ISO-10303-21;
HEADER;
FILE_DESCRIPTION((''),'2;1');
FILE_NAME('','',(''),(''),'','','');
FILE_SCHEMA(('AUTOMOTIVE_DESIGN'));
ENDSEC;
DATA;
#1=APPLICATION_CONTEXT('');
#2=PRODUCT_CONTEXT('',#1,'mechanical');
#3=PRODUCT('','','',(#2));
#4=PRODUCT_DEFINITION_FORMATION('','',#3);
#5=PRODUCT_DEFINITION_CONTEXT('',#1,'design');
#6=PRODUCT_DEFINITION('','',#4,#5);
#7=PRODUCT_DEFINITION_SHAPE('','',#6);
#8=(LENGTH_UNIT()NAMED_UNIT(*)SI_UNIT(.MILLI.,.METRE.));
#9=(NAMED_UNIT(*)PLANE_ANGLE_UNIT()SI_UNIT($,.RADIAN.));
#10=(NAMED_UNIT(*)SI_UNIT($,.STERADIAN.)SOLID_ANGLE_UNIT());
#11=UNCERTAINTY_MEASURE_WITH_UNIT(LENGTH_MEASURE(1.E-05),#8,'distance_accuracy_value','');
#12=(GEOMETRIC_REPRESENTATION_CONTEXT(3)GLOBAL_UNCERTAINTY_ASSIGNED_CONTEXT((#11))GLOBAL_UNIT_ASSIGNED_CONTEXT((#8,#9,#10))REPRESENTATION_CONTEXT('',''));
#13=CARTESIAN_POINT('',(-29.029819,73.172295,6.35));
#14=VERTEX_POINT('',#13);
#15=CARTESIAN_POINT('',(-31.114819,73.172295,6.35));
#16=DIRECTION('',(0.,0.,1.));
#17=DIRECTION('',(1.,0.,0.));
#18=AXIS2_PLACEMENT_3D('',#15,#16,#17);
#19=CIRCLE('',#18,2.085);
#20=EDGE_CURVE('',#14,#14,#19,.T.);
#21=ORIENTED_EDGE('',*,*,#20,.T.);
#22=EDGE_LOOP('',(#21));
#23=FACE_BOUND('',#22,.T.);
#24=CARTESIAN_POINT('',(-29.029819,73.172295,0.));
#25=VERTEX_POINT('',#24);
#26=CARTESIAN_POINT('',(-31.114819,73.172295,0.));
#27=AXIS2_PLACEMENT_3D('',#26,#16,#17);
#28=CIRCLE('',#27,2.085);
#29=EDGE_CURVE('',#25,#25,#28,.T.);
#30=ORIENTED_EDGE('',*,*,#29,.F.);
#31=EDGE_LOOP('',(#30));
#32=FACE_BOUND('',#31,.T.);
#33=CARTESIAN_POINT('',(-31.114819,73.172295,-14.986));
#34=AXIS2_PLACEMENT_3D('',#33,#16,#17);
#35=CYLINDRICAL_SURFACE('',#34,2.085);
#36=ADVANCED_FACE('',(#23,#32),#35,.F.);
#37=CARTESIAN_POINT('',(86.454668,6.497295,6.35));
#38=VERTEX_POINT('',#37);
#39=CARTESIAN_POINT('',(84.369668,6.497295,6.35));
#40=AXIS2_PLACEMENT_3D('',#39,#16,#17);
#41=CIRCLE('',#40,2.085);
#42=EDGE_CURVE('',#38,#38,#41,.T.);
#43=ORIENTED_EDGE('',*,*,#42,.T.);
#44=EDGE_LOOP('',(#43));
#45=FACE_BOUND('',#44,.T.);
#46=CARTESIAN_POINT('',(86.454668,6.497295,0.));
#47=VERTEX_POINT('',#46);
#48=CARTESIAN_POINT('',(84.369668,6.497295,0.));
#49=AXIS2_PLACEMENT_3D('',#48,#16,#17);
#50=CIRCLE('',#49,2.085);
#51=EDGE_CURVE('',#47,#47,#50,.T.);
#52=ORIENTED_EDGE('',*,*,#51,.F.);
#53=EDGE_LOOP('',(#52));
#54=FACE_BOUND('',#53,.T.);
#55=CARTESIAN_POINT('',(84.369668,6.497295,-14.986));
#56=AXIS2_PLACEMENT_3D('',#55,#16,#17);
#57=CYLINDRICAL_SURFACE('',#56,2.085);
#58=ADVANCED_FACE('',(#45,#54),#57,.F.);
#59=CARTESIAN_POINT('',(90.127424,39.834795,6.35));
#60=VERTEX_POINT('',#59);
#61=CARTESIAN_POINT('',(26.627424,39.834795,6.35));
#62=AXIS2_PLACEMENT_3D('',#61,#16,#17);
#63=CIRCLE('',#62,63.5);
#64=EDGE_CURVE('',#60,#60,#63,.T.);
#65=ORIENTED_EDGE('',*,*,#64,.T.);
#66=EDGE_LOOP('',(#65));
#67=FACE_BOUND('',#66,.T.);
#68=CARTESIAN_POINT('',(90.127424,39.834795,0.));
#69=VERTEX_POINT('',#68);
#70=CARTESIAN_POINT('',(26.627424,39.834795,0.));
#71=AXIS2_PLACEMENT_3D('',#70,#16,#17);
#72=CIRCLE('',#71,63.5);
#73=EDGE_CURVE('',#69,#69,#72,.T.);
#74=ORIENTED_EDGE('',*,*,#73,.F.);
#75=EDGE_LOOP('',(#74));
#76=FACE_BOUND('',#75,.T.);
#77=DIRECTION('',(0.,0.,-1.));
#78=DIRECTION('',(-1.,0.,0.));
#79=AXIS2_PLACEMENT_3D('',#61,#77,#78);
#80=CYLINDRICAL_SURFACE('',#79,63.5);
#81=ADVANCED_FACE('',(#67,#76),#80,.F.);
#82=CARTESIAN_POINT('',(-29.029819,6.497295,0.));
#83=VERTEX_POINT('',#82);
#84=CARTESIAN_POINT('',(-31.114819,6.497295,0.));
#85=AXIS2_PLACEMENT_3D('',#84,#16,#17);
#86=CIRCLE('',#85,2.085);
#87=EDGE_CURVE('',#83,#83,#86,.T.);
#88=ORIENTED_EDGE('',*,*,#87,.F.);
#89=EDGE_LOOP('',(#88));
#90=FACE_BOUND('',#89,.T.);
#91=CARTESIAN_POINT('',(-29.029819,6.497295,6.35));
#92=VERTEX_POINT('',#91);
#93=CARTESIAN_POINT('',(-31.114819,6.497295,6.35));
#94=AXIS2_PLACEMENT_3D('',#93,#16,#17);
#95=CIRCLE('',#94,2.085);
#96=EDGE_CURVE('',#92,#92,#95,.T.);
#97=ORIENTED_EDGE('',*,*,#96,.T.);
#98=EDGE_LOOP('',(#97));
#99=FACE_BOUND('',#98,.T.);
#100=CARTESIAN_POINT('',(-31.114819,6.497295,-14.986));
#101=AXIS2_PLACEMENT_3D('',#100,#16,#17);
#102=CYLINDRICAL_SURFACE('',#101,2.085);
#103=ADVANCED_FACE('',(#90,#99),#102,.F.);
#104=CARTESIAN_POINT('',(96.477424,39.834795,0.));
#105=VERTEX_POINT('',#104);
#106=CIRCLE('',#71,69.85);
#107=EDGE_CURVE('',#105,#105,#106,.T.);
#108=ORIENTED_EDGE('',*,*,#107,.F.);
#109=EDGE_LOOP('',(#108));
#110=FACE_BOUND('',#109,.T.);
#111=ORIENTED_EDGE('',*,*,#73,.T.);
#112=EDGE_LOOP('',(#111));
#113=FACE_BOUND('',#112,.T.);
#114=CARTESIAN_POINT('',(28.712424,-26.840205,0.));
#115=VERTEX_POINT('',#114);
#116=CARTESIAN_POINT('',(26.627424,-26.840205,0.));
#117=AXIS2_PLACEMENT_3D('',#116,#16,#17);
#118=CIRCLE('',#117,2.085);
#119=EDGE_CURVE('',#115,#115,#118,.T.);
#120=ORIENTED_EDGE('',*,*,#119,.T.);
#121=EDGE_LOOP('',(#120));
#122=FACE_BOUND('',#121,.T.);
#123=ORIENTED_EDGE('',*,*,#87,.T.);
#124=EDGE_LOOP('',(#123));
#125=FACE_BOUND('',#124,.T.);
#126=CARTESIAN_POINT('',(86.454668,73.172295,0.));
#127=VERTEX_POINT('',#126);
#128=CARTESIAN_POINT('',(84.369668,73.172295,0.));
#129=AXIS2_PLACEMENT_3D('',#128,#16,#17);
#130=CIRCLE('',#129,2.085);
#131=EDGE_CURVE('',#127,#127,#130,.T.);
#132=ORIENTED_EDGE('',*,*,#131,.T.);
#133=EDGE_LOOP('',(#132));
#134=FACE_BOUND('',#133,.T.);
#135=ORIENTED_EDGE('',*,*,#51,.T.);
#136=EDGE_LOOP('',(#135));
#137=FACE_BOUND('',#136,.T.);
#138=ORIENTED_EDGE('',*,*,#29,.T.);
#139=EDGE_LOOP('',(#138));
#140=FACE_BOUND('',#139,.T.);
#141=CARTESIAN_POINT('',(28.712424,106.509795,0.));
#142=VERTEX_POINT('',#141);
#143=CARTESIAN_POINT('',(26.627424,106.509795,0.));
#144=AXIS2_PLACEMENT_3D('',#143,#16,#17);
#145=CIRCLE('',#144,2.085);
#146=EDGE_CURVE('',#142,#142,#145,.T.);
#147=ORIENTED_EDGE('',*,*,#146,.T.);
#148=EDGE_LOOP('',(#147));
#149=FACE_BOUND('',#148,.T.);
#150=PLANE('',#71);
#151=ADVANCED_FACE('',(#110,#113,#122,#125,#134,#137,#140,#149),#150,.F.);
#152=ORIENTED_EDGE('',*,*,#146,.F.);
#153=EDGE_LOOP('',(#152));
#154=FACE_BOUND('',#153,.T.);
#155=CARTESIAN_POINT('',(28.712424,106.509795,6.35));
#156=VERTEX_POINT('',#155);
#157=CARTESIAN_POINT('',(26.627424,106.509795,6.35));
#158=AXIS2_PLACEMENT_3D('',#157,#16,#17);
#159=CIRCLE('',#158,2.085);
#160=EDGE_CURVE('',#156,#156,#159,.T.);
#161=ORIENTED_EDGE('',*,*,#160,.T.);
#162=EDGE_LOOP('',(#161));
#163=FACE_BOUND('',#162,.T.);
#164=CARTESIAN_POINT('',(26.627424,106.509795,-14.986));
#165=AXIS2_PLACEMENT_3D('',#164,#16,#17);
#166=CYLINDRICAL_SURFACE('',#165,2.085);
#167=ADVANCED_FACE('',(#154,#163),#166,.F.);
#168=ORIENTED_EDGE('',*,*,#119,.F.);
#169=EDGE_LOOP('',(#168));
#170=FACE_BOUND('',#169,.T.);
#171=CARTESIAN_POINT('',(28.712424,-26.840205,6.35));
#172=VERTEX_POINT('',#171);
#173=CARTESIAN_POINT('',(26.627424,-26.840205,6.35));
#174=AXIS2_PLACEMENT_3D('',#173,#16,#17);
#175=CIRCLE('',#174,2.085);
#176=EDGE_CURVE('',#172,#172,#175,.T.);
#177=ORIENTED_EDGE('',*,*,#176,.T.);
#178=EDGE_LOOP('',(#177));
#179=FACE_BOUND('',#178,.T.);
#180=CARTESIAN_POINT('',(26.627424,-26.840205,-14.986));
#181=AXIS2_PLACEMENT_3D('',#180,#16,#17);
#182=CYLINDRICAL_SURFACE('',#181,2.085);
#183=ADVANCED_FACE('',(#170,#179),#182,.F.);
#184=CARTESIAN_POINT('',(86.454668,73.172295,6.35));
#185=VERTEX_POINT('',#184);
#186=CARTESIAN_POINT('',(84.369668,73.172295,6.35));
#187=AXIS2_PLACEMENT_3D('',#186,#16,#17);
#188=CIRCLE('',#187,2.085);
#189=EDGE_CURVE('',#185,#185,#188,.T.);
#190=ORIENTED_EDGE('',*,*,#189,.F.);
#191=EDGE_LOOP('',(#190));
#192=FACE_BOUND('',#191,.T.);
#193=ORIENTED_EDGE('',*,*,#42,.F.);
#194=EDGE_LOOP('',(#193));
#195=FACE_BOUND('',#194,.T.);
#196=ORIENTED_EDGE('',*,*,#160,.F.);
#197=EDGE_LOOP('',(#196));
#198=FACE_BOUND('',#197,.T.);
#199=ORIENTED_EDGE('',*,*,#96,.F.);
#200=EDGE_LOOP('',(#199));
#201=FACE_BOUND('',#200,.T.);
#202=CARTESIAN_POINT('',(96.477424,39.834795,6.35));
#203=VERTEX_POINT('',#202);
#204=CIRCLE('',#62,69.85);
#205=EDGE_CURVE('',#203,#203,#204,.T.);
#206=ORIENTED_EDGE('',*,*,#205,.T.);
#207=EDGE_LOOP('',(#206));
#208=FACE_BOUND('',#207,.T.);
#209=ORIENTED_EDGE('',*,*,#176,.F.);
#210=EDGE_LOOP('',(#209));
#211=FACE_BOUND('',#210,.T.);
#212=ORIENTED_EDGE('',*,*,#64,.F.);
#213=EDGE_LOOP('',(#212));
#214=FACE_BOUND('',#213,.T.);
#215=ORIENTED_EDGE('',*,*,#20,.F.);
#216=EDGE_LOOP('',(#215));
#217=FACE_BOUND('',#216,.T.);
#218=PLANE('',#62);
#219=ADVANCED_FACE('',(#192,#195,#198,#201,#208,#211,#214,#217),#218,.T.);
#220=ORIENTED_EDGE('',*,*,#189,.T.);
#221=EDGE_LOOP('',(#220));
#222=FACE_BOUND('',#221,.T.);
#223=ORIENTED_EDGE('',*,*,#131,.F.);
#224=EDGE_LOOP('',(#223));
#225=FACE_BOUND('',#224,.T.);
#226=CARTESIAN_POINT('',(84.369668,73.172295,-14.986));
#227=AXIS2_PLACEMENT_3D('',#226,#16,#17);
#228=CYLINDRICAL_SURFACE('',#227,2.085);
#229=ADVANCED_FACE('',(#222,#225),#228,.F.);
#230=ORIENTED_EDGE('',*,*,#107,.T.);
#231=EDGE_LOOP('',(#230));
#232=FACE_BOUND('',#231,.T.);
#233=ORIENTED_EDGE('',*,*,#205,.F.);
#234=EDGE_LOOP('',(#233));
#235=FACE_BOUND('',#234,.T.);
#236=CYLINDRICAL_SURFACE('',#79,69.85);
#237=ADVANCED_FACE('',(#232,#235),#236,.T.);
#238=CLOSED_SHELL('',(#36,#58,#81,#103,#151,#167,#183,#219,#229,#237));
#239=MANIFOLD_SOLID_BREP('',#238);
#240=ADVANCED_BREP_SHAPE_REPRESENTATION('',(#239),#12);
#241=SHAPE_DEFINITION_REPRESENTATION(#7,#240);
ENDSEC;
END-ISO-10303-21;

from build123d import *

# Parameters (mm, degrees)
SKETCH1_R           = 69.85
SKETCH1_R_2         = 63.5
BOSS_EXTRUDE1_DEPTH = 6.35
SKETCH2_R           = 2.085
CUT_EXTRUDE1_DEPTH  = 21.336


with BuildPart() as part:
    # Sketch1 → Boss-Extrude1 (new body)
    with BuildSketch(Plane.XY):
        with Locations((26.627424347, 39.834794984)):
            Circle(SKETCH1_R)
        with Locations((26.627424347, 39.834794984)):
            Circle(SKETCH1_R_2, mode=Mode.SUBTRACT)
    extrude(amount=BOSS_EXTRUDE1_DEPTH)

    # Sketch2 → Cut-Extrude1 (cut)
    with BuildSketch(Plane.XY.offset(6.35)):
        with Locations((26.627424347, 106.509794984)):
            Circle(SKETCH2_R)
        with Locations((84.369668144, 73.172294984)):
            Circle(SKETCH2_R)
        with Locations((84.369668144, 6.497294984)):
            Circle(SKETCH2_R)
        with Locations((26.627424347, -26.840205016)):
            Circle(SKETCH2_R)
        with Locations((-31.11481945, 6.497294984)):
            Circle(SKETCH2_R)
        with Locations((-31.11481945, 73.172294984)):
            Circle(SKETCH2_R)
    extrude(amount=-CUT_EXTRUDE1_DEPTH, mode=Mode.SUBTRACT)


solid = part.part
